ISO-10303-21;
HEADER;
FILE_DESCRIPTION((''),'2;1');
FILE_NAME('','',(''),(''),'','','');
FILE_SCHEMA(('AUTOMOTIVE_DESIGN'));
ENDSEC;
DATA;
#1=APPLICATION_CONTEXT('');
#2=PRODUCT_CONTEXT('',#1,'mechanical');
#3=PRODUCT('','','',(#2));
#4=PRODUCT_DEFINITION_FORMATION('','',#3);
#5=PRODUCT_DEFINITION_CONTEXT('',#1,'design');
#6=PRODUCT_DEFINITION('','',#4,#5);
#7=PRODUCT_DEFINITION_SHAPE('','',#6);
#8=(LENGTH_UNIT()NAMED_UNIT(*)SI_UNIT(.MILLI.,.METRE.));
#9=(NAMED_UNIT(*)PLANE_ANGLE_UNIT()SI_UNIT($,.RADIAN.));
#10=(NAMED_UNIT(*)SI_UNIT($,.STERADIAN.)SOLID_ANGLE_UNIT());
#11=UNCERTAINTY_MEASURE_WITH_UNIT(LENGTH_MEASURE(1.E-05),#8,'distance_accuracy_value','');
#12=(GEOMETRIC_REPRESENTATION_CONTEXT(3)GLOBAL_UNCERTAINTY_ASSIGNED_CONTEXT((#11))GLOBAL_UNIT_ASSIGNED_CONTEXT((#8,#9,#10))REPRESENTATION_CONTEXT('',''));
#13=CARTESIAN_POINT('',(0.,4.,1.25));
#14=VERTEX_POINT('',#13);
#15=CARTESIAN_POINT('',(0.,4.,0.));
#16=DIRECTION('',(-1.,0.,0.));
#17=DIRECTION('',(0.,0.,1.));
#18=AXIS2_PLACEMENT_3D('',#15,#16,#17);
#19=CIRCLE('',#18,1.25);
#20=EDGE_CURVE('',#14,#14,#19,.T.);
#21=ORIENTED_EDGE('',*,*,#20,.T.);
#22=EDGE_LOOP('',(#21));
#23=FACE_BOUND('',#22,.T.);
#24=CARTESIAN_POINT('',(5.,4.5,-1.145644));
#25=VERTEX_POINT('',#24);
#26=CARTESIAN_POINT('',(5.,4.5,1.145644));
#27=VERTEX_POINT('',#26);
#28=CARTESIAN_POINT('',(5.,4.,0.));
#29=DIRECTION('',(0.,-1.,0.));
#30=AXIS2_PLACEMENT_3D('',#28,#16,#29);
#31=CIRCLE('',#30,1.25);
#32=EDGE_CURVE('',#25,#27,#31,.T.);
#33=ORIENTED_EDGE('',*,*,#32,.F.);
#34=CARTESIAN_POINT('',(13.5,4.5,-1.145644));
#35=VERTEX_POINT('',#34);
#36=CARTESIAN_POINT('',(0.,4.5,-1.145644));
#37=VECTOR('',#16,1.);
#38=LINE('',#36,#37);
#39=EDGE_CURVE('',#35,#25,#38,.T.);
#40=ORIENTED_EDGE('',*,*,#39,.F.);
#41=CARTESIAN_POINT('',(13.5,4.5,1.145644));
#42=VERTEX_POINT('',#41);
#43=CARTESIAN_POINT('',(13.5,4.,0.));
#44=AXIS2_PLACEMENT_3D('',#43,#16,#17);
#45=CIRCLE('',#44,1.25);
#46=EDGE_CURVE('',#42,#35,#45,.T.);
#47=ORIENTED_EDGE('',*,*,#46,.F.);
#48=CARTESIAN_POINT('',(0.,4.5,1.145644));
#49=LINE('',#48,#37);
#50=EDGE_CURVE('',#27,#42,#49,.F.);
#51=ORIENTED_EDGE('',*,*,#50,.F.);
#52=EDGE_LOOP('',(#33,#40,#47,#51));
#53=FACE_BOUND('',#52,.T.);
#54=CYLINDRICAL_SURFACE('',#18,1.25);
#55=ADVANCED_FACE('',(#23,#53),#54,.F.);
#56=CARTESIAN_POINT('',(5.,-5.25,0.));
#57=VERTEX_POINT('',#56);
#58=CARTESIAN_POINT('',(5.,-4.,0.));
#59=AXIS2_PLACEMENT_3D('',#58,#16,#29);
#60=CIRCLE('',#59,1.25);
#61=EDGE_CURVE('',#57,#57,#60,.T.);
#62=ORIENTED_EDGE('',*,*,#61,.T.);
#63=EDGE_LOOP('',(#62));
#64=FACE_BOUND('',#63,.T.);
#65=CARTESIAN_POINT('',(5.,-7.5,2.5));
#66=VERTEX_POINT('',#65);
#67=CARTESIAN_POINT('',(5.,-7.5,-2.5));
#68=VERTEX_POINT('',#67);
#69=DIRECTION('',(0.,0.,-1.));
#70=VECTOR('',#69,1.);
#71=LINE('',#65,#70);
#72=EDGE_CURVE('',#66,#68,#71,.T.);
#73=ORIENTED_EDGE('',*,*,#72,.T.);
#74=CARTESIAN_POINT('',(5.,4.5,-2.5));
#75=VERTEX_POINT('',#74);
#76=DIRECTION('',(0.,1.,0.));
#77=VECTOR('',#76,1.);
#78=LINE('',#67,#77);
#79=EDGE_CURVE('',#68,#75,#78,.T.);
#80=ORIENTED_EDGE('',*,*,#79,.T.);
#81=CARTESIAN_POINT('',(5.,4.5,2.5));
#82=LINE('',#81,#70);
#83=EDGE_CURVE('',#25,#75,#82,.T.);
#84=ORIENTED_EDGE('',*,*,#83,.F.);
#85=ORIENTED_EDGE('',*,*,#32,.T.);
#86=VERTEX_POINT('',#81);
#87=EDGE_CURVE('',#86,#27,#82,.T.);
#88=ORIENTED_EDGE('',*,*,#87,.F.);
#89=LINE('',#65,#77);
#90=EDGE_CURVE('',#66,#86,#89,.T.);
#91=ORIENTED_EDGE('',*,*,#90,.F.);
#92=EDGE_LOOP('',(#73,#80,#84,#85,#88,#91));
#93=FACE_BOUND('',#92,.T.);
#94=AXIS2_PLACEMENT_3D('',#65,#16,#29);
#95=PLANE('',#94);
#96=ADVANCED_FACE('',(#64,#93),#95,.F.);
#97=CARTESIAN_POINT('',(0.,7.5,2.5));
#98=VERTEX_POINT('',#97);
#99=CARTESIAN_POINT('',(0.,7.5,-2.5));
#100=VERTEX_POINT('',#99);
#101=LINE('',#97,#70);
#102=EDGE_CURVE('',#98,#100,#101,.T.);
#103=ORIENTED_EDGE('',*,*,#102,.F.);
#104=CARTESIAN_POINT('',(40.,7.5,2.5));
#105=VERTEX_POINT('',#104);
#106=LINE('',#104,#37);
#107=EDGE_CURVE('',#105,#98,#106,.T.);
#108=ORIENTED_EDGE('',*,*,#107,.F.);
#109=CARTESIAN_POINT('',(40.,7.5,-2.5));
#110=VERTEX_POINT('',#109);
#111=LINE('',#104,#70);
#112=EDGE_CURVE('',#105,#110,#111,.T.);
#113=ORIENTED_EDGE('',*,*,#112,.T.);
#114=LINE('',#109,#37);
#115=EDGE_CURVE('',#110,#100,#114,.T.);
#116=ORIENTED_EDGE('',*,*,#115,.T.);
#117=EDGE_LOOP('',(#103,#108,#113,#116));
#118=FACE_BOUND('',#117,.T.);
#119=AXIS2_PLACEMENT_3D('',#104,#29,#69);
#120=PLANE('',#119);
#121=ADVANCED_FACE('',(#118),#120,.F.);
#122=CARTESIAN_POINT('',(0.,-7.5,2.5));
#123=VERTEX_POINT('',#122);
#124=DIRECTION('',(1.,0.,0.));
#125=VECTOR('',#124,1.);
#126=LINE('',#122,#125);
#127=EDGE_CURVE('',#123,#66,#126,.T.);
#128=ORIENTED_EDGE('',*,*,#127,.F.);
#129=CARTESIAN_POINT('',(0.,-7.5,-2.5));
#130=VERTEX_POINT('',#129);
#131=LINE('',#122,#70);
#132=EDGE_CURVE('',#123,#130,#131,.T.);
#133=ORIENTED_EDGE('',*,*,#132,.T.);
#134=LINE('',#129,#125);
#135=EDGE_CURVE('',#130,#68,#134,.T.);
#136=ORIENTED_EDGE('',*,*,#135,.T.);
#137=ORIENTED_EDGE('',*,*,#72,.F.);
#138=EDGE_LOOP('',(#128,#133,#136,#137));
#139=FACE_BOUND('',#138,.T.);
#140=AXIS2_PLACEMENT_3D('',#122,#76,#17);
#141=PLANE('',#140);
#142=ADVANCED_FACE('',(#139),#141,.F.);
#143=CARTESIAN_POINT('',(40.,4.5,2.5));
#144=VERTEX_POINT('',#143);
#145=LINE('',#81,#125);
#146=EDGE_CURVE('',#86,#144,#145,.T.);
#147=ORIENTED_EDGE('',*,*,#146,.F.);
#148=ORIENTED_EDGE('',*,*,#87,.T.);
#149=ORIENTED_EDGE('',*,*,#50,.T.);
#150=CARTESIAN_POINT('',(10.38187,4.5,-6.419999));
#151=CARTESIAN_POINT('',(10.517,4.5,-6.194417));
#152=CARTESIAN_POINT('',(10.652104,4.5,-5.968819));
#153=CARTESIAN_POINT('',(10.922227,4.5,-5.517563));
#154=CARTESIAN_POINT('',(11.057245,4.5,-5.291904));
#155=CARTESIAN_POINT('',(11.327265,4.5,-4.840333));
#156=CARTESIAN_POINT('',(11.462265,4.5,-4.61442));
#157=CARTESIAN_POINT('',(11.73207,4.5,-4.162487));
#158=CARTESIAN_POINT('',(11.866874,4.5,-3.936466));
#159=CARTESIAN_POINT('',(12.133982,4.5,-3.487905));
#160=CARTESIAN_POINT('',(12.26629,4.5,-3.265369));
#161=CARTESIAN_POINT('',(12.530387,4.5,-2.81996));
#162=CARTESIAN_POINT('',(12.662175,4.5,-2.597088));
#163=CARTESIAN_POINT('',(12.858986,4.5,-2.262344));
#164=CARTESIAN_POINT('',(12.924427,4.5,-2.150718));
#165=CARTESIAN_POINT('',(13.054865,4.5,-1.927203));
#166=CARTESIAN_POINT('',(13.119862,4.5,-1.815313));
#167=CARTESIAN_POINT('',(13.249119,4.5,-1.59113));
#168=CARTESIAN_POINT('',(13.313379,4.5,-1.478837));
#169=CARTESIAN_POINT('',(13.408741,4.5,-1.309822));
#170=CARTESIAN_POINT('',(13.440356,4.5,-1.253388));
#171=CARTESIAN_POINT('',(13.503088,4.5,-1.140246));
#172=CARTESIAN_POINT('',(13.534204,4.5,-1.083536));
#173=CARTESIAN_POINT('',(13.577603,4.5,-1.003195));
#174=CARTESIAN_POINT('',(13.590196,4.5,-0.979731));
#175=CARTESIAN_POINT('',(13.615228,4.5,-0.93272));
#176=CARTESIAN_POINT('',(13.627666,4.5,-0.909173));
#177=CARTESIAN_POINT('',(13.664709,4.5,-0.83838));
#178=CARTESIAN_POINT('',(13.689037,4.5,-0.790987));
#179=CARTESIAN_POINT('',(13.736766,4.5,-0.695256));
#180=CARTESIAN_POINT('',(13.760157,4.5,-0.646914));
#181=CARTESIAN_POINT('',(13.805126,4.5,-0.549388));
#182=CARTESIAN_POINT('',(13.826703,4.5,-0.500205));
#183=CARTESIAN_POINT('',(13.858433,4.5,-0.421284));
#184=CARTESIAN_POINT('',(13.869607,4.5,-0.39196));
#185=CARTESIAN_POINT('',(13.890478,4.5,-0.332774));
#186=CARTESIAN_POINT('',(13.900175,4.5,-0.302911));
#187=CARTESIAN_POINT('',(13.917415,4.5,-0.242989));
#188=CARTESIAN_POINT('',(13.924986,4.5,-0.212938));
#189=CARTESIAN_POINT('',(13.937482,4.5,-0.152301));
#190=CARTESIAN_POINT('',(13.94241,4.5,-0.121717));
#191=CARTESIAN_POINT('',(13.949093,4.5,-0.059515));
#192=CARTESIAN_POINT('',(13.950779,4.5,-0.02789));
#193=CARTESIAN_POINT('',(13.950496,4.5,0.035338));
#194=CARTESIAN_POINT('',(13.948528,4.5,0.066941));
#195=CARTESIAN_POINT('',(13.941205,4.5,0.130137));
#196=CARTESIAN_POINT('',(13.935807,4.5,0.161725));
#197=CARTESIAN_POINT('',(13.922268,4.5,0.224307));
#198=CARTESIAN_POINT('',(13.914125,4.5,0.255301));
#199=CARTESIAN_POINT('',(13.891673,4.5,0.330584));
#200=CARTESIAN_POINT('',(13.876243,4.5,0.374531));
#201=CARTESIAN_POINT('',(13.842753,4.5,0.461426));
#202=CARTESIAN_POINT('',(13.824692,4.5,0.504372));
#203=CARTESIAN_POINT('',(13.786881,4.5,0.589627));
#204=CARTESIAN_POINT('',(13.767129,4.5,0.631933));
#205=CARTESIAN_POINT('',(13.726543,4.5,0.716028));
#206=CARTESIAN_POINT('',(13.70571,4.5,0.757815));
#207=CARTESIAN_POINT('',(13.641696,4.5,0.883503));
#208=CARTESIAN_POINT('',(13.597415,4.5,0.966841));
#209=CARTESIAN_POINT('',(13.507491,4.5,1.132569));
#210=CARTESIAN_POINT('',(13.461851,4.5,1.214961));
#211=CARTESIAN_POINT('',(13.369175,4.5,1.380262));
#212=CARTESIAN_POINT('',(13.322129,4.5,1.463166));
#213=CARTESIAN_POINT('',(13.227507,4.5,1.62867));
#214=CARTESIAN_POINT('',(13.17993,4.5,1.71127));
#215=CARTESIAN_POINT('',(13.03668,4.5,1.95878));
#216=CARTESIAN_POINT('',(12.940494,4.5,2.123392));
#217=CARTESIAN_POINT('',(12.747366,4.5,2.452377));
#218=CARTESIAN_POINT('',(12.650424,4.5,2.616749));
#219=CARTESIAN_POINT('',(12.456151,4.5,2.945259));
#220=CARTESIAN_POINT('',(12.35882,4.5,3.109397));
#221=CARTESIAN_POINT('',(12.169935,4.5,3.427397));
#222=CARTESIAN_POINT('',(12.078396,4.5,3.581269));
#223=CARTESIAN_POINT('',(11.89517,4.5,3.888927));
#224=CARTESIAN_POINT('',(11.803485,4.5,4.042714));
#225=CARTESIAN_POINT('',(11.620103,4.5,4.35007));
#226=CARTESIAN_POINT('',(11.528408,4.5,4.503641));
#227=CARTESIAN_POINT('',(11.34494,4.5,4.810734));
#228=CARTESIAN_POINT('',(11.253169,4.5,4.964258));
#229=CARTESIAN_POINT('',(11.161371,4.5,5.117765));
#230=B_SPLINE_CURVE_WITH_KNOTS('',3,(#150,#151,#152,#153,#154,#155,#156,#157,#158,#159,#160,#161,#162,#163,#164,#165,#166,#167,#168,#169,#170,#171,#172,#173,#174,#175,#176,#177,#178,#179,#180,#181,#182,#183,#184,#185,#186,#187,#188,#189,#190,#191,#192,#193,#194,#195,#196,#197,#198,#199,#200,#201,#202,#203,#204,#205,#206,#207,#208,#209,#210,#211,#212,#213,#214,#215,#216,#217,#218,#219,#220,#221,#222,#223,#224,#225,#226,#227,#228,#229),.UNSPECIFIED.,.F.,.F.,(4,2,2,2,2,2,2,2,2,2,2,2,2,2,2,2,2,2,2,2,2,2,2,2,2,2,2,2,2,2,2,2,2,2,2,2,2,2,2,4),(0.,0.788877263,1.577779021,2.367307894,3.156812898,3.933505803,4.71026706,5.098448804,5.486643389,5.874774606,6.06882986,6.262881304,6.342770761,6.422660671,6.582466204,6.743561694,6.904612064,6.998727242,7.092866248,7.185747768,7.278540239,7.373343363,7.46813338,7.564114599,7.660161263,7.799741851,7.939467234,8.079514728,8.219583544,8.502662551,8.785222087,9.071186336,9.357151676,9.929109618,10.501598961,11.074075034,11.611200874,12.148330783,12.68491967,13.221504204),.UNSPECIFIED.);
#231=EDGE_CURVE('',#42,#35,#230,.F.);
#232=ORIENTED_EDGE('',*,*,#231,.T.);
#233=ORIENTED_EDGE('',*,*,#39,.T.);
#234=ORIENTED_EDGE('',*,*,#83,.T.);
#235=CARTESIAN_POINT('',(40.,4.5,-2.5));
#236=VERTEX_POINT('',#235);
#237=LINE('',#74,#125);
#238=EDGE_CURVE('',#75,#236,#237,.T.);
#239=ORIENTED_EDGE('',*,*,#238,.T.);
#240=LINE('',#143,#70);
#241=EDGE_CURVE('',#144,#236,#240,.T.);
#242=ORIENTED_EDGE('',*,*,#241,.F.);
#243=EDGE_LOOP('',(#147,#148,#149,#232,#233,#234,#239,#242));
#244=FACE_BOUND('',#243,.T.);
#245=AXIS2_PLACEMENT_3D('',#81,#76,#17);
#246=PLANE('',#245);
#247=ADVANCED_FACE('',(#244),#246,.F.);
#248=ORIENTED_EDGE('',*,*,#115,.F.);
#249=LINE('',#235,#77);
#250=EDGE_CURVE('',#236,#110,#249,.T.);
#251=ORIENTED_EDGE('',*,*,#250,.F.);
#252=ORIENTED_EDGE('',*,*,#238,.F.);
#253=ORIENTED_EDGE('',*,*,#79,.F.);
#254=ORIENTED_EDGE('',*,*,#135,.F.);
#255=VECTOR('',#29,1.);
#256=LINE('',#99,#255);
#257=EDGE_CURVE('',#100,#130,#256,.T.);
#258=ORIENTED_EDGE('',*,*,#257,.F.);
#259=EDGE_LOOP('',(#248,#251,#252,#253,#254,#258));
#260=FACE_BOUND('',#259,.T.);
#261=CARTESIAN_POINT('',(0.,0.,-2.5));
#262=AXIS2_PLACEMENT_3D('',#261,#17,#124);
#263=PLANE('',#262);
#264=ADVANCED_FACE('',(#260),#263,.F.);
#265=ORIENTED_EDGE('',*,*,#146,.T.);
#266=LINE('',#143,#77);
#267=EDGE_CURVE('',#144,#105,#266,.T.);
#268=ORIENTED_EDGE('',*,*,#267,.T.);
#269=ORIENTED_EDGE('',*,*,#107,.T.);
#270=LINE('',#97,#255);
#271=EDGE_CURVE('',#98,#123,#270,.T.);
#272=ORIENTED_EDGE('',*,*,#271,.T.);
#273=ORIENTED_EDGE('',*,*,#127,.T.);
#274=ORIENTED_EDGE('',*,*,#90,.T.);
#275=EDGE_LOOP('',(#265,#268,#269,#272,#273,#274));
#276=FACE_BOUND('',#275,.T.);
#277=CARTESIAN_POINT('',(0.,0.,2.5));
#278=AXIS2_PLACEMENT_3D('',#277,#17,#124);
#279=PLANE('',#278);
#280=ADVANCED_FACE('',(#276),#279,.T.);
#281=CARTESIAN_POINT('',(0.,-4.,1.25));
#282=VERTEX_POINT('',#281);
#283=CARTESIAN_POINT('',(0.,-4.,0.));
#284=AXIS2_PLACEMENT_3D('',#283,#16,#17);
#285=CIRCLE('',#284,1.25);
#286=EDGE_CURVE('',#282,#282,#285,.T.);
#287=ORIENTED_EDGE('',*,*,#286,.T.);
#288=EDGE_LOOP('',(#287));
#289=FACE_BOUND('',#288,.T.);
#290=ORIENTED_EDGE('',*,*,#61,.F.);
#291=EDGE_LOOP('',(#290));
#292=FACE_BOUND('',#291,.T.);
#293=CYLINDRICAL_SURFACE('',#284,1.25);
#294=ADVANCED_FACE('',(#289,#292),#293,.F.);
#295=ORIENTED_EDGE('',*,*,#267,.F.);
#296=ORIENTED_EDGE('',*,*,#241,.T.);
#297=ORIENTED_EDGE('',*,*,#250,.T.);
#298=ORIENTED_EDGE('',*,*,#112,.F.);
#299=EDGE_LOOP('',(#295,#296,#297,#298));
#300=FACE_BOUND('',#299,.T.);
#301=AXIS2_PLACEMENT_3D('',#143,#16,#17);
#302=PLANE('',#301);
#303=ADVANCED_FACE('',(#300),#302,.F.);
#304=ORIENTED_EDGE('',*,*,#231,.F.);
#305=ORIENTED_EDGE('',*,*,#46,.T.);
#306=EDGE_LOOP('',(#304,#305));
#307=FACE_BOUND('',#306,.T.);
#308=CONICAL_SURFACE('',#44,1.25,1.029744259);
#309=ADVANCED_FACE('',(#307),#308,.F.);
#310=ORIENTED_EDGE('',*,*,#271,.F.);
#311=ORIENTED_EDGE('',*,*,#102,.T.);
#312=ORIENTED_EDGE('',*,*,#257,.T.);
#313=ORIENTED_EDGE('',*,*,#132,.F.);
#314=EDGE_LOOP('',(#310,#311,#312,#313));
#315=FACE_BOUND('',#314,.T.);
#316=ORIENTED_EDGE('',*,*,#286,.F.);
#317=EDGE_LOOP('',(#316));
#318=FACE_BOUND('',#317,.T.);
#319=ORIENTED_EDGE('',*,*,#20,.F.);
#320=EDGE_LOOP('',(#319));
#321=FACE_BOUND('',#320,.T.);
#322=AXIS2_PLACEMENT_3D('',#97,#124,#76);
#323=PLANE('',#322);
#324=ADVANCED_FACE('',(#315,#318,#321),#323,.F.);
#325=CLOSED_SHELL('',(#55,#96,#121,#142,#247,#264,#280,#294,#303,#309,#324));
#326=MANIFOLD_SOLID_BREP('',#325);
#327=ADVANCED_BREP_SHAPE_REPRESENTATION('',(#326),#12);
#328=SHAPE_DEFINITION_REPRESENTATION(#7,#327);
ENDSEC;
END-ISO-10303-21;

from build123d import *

# Parameters (mm, degrees)
BOSS_EXTRUDE1_DEPTH   = 2.5
M3_TAPPED_HOLE1_D     = 2.5
M3_TAPPED_HOLE1_DEPTH = 13.5
M3_TAPPED_HOLE1_TIP   = 0.751075774


with BuildPart() as part:
    # Sketch1 → Boss-Extrude1 (new, symmetric)
    with BuildSketch(Plane.XY):
        Polygon((40, 7.5), (0, 7.5), (0, -7.5), (5, -7.5), (5, 4.5), (40, 4.5), align=None)
    extrude(amount=BOSS_EXTRUDE1_DEPTH, both=True)

    # M3 Tapped Hole1
    with Locations(Plane.ZY):
        with Locations((0, -4), (0, 4)):
            Hole(M3_TAPPED_HOLE1_D / 2, depth=M3_TAPPED_HOLE1_DEPTH)
            with Locations((0, 0, -(M3_TAPPED_HOLE1_DEPTH + M3_TAPPED_HOLE1_TIP / 2))):  # 118° drill point
                Cone(0, M3_TAPPED_HOLE1_D / 2, M3_TAPPED_HOLE1_TIP, mode=Mode.SUBTRACT)


solid = part.part
